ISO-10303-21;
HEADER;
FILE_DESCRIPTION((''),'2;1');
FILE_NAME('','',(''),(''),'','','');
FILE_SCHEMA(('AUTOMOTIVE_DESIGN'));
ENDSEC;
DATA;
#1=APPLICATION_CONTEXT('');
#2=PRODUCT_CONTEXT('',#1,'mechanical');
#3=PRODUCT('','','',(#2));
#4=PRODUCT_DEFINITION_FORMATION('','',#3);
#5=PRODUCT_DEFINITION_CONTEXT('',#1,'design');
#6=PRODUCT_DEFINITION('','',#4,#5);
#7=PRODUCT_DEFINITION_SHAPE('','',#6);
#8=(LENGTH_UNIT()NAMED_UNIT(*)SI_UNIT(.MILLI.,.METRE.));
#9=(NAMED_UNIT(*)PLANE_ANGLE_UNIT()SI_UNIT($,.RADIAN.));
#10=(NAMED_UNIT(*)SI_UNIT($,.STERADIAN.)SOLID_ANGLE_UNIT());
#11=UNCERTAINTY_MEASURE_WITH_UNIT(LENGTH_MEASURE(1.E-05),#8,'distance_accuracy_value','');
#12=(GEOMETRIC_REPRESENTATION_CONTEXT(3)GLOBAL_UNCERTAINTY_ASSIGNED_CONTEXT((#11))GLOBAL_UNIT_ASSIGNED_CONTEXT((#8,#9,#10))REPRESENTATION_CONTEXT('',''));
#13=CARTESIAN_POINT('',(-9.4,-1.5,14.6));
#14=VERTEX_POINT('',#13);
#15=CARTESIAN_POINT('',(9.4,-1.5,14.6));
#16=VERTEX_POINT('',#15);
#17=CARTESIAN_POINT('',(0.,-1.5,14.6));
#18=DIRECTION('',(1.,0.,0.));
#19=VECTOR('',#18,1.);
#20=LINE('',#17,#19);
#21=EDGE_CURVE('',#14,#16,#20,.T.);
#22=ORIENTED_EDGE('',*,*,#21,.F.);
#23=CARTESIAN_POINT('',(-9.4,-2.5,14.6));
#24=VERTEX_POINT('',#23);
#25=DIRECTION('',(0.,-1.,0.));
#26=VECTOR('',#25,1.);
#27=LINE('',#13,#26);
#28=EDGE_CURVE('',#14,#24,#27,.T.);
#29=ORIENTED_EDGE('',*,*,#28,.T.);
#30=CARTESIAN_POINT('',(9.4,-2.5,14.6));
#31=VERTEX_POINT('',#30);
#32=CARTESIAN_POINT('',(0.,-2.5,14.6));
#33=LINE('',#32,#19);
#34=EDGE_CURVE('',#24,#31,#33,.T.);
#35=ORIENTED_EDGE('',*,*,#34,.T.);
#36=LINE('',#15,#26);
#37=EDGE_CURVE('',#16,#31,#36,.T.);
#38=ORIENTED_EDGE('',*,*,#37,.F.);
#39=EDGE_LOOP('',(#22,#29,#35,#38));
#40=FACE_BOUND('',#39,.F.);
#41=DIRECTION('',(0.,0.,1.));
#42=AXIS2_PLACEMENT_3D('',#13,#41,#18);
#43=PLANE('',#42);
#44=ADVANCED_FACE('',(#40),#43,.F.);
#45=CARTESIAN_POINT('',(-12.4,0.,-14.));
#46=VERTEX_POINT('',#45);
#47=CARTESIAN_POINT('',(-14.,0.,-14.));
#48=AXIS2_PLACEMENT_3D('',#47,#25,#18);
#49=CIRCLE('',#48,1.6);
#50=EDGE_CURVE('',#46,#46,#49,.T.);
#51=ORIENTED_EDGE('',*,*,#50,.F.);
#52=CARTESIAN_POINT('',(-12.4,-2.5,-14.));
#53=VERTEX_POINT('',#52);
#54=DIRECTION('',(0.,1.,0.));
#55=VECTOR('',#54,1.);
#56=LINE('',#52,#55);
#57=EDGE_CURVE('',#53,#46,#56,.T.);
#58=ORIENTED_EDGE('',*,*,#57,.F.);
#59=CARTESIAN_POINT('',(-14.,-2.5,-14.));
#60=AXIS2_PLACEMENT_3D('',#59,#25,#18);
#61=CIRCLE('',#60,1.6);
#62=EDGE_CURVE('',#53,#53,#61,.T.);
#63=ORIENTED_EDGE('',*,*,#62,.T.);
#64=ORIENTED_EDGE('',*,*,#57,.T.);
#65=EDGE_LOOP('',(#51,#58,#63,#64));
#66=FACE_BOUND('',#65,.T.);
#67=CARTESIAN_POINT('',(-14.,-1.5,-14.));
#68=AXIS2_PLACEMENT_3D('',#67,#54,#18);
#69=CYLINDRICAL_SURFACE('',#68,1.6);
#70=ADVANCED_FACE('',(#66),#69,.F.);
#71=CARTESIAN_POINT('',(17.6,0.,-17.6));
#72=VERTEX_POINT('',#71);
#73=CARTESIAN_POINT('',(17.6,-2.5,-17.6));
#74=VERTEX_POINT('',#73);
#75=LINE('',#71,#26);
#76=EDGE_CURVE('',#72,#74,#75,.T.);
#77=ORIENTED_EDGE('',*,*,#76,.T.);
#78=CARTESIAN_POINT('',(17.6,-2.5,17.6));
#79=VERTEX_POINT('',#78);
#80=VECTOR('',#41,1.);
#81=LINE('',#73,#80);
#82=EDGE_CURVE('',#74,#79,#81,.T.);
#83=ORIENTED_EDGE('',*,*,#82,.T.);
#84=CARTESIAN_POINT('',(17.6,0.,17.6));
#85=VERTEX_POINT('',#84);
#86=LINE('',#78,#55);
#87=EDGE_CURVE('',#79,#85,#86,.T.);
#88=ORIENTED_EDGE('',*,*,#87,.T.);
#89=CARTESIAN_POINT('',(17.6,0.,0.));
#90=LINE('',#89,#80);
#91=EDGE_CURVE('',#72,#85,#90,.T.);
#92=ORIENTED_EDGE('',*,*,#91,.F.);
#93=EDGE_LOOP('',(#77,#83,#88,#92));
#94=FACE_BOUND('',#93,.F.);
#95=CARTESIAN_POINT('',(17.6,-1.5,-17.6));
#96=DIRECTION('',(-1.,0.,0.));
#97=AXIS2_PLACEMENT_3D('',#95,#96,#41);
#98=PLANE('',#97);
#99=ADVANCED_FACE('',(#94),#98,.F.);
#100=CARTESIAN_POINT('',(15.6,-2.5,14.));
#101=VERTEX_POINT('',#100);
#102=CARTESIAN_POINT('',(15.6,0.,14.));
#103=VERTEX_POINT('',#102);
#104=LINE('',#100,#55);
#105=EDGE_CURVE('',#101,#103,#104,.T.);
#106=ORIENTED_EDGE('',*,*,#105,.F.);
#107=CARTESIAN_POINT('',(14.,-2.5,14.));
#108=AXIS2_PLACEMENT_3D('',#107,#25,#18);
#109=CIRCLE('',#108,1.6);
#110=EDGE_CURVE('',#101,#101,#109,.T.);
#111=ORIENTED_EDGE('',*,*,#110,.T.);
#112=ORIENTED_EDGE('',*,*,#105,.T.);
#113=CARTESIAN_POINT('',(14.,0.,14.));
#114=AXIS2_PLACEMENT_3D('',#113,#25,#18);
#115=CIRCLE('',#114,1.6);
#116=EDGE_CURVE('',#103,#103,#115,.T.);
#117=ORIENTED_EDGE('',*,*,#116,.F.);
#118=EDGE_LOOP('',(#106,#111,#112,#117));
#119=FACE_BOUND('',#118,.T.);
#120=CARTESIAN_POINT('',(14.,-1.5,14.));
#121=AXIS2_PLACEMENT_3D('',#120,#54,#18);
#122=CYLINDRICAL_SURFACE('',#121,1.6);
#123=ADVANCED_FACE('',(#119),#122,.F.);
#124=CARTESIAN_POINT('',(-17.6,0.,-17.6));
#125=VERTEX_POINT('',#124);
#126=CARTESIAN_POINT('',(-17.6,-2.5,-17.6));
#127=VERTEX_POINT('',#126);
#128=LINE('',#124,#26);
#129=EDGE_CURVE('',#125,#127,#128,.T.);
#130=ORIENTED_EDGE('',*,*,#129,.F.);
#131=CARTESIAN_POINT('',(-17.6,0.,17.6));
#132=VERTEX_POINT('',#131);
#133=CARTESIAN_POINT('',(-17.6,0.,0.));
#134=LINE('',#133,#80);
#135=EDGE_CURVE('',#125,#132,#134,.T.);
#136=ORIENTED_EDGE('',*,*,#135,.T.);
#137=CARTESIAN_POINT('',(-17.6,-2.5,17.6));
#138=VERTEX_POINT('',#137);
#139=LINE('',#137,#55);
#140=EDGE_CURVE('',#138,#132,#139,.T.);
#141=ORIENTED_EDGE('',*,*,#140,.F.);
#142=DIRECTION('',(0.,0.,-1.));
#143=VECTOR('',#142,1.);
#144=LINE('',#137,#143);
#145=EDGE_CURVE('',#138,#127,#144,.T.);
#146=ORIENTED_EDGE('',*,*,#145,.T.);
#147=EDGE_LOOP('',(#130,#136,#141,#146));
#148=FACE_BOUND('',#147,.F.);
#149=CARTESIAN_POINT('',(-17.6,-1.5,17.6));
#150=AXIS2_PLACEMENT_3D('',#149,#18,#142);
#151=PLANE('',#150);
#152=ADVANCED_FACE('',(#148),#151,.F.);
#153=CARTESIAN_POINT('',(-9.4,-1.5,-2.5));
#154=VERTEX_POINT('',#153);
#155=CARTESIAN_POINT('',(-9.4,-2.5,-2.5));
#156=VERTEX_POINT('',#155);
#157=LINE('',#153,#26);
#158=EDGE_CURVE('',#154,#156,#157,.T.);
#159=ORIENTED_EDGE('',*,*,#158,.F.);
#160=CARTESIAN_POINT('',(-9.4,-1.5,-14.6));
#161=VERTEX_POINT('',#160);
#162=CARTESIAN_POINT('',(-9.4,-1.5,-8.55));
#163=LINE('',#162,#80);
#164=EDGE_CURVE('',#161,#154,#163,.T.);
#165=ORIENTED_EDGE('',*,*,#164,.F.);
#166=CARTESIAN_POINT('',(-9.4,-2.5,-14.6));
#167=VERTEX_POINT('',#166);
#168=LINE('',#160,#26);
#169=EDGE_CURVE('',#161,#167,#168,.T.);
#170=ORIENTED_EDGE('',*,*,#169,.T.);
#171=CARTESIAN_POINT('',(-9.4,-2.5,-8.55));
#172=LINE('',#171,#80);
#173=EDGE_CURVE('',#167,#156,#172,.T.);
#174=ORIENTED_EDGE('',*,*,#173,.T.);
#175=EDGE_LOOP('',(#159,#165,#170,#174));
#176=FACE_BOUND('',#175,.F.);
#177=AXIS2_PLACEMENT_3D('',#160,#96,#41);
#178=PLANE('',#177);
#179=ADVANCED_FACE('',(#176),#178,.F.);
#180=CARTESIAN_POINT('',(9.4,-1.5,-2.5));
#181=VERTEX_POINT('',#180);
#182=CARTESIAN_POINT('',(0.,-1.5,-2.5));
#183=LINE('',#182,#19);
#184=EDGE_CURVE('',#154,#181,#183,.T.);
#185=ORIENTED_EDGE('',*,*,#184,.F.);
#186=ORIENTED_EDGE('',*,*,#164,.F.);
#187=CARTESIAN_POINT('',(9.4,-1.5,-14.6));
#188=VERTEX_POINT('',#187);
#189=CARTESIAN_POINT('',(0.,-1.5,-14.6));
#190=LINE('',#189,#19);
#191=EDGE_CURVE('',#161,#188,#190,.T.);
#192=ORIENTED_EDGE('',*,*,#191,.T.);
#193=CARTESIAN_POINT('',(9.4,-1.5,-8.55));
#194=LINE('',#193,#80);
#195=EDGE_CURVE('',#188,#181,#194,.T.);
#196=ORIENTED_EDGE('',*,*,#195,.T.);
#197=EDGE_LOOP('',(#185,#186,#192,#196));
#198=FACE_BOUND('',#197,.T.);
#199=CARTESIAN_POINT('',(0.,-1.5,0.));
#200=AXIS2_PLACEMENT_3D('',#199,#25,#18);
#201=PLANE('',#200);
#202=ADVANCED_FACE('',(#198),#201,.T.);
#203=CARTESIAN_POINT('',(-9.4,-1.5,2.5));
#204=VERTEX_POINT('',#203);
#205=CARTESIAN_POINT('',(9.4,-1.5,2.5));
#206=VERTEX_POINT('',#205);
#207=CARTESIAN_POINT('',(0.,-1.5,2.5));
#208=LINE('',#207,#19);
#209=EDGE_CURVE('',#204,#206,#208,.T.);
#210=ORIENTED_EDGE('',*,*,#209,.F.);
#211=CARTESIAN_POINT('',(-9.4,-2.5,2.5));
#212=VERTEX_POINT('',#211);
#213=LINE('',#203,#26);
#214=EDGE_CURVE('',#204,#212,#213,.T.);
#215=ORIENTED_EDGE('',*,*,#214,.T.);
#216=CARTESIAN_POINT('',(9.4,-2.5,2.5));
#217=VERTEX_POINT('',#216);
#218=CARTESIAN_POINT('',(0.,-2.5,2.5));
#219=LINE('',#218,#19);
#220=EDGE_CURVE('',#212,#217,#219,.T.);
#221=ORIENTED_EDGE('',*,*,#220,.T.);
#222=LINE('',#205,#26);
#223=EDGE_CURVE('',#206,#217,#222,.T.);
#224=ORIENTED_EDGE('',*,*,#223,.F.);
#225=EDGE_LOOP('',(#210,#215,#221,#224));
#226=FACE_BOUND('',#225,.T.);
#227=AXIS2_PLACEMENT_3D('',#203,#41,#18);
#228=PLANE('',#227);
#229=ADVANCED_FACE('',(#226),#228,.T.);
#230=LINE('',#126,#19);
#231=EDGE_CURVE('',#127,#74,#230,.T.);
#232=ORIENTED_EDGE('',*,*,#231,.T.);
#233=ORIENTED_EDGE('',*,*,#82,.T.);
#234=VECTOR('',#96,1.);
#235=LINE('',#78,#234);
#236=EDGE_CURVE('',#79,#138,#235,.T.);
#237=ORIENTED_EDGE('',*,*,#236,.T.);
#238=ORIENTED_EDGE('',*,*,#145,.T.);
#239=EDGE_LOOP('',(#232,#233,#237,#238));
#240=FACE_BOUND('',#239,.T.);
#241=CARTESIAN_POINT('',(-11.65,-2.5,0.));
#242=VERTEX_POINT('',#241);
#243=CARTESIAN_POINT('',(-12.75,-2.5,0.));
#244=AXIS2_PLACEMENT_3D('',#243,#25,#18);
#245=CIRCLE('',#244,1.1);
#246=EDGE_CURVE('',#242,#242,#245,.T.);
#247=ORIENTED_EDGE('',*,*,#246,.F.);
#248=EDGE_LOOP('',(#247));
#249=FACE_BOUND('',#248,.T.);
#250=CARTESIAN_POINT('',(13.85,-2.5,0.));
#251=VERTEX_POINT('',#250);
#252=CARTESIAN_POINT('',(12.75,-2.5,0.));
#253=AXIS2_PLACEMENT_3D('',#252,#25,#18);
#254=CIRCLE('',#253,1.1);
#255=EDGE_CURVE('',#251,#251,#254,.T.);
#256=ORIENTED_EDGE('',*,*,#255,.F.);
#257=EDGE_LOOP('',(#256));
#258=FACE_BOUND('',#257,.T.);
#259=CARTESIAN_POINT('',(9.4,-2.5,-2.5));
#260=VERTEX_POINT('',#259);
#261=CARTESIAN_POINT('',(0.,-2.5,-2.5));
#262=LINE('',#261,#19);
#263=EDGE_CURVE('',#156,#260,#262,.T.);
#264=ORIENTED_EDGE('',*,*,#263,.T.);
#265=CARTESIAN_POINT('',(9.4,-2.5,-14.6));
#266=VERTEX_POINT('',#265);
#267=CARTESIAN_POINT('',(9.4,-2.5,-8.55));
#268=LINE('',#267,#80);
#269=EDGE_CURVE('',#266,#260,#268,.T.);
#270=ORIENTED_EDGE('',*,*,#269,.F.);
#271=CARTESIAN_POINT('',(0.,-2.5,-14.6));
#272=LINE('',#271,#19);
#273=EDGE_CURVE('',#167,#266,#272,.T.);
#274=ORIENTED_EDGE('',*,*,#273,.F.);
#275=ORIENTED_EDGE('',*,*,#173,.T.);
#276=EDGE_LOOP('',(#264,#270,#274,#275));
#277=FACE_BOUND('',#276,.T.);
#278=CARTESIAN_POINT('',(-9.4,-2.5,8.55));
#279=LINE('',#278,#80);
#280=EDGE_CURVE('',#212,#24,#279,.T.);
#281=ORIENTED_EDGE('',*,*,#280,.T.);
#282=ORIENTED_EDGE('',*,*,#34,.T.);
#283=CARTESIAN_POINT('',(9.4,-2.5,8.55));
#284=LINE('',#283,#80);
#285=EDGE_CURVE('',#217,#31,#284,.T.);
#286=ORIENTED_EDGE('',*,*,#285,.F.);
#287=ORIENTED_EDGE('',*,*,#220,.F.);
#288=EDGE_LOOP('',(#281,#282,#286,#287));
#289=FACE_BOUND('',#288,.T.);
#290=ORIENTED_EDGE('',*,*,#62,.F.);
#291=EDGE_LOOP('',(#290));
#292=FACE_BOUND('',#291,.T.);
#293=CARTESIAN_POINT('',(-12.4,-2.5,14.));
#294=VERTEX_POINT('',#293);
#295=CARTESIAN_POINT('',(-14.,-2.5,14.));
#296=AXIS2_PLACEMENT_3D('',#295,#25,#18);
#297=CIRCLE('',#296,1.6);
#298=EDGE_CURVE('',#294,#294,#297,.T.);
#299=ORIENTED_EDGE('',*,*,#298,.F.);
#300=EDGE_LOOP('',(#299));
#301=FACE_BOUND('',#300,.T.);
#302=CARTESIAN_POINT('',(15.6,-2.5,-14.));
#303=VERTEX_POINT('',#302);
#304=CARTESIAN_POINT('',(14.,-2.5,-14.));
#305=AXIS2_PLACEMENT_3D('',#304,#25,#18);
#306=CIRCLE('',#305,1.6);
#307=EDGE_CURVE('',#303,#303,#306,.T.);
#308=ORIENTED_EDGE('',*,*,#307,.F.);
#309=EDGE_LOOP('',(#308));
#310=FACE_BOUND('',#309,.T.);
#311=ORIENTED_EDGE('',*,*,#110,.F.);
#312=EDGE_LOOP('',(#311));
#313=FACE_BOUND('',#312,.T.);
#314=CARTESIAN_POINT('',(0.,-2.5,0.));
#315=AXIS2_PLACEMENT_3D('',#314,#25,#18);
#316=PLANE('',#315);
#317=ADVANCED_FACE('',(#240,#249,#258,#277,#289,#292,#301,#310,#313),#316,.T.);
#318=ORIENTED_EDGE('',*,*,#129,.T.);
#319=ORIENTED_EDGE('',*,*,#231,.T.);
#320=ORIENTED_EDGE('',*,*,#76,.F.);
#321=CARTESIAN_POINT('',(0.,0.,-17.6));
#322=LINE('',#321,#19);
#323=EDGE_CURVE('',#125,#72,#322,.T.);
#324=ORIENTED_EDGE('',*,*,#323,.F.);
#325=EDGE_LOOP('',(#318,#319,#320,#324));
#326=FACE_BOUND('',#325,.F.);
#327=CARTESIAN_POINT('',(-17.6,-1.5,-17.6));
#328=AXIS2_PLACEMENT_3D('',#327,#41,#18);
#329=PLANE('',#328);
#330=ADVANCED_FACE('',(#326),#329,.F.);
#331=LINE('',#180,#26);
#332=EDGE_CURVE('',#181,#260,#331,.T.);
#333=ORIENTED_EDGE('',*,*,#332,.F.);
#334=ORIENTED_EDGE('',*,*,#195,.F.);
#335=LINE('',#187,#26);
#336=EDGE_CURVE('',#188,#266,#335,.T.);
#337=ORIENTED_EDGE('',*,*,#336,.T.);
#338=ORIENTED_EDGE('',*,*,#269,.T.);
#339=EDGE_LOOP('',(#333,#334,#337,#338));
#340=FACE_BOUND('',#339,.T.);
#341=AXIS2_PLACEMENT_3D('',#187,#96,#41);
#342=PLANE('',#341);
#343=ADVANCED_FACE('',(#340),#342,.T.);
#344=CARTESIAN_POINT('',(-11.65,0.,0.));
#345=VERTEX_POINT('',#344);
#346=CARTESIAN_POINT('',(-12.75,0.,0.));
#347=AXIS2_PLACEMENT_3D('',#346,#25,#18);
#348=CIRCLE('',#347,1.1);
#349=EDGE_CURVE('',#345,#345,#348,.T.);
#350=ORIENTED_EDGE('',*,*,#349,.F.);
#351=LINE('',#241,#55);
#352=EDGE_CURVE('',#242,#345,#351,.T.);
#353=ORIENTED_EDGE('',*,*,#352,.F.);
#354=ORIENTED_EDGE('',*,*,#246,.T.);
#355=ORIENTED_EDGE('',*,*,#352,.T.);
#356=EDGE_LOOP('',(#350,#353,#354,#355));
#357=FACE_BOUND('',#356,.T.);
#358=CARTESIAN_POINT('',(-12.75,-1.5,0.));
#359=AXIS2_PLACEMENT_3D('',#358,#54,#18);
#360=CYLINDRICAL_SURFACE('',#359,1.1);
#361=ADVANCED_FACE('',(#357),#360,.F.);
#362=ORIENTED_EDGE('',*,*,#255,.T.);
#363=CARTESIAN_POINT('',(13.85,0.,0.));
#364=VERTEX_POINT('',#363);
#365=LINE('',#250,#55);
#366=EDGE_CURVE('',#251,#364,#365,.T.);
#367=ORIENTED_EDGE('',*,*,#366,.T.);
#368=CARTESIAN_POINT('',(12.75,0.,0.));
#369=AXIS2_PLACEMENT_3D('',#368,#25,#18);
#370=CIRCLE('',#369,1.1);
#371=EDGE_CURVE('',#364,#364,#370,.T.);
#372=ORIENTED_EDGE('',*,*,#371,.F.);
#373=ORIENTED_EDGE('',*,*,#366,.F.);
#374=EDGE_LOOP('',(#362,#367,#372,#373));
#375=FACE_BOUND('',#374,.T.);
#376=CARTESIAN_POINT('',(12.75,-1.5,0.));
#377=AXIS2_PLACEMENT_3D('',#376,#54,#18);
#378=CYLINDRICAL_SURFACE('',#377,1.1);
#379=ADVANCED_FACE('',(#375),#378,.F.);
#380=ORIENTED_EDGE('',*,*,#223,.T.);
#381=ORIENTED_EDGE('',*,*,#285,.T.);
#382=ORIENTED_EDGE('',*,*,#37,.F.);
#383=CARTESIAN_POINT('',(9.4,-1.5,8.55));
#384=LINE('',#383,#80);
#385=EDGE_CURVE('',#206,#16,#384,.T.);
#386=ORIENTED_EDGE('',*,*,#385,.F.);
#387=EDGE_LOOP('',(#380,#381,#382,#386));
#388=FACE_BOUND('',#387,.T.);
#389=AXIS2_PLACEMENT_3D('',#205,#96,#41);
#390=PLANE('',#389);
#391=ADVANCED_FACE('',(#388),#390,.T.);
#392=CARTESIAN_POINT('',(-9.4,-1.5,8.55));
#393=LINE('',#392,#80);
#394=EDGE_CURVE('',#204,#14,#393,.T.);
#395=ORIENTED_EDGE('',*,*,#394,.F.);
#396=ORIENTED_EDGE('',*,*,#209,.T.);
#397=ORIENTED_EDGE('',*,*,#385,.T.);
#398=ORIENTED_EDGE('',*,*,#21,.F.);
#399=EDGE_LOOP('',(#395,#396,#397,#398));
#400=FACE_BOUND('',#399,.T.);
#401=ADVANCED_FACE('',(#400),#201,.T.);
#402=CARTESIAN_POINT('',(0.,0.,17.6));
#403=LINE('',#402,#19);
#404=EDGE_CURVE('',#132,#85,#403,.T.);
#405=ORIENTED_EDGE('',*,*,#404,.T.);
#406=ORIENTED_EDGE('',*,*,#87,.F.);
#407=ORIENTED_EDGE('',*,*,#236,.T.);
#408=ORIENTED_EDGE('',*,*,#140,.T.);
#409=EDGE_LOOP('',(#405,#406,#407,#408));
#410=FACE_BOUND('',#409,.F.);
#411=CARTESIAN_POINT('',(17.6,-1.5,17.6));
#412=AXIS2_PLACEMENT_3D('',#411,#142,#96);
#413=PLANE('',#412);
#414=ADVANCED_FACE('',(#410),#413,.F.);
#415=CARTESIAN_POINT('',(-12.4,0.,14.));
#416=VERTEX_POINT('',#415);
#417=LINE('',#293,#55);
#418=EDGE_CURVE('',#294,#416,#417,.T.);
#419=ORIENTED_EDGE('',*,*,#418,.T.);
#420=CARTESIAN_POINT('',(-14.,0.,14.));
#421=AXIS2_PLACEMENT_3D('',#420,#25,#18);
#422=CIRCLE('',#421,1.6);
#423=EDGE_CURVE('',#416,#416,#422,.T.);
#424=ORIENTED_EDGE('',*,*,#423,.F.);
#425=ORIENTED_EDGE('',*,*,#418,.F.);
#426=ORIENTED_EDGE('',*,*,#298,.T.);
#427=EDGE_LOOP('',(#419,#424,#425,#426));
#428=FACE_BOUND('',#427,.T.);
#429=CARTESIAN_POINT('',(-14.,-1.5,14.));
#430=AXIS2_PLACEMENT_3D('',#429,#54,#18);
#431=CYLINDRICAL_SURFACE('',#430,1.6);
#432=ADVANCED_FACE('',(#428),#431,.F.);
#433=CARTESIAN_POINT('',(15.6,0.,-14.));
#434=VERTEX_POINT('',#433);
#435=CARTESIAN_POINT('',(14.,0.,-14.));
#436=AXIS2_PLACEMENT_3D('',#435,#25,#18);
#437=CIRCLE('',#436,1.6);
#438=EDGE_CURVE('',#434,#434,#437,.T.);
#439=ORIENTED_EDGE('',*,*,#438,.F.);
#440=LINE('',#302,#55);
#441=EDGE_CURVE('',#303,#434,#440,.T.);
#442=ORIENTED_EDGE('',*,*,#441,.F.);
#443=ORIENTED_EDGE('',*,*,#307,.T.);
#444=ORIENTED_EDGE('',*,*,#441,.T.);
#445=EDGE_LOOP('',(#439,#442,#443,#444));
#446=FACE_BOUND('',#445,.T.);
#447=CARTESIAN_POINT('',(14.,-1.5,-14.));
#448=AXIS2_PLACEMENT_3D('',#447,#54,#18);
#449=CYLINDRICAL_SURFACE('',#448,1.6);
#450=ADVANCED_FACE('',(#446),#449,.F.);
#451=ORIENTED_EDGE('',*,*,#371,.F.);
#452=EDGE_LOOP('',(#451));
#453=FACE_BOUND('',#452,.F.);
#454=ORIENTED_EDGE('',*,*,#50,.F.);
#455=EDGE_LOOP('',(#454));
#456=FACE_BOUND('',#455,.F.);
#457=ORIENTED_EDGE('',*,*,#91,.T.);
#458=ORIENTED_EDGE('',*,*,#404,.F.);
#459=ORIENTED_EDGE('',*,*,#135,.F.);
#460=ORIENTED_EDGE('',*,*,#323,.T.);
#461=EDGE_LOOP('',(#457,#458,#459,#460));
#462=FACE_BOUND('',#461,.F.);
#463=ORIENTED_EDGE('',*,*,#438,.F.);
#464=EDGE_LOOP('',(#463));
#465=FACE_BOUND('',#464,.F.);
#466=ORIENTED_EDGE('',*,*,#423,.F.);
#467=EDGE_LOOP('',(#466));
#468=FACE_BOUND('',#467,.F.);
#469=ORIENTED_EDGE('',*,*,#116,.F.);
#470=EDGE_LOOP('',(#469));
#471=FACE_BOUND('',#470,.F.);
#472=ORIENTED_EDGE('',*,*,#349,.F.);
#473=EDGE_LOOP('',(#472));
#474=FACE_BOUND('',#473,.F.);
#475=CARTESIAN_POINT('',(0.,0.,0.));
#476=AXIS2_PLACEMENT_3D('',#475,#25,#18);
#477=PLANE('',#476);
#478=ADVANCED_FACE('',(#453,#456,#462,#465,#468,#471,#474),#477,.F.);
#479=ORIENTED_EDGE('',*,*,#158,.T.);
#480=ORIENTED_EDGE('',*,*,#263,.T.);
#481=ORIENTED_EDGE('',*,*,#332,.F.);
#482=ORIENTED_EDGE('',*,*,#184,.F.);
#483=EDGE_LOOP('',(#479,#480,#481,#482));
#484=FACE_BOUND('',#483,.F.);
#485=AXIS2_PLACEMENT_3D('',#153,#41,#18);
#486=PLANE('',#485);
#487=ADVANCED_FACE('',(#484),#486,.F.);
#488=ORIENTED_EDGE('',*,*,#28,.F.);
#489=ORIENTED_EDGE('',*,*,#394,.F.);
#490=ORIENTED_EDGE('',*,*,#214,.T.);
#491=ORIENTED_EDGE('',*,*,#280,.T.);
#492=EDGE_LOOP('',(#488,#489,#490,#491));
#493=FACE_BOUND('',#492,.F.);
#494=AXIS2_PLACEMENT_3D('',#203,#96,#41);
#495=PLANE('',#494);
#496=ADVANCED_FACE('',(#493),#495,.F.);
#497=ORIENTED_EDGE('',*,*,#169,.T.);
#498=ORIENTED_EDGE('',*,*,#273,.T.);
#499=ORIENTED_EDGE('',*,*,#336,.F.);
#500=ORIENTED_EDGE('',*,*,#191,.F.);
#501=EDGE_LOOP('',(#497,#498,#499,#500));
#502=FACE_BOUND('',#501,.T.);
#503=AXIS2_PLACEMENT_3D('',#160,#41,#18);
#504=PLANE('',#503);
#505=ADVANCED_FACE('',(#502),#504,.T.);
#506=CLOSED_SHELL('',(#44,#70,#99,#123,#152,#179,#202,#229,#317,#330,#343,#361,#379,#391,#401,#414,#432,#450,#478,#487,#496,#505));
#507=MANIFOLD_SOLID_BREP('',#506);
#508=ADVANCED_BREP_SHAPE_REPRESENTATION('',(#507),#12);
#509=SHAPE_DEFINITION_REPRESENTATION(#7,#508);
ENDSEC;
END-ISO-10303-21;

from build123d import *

# Parameters (mm, degrees)
F0_W     = 35.2
F0_H     = 35.2
F0_R     = 1.6
F0_R_2   = 1.1
F1_DEPTH = 1.5
F2_R     = 1.6
F2_W     = 18.8
F2_H     = 12.1
F2_R_2   = 1.1
F3_DEPTH = 1


with BuildPart() as f1:
    # F0 (on Front) → F1 (new body)
    with BuildSketch(Plane.XZ):
        Rectangle(F0_W, F0_H)
        with Locations((-14, -14)):
            Circle(F0_R, mode=Mode.SUBTRACT)
        with Locations((14, -14)):
            Circle(F0_R, mode=Mode.SUBTRACT)
        with Locations((-12.75, 0)):
            Circle(F0_R_2, mode=Mode.SUBTRACT)
        with Locations((-14, 14)):
            Circle(F0_R, mode=Mode.SUBTRACT)
        with Locations((12.75, 0)):
            Circle(F0_R_2, mode=Mode.SUBTRACT)
        with Locations((14, 14)):
            Circle(F0_R, mode=Mode.SUBTRACT)
    extrude(amount=F1_DEPTH)

    # F2 (on face) → F3 (join)
    with BuildSketch(Plane.XZ.offset(1.5)):
        Polygon((-17.6, 17.6), (-17.6, 2.5), (-17.6, -2.5), (-17.6, -17.6), (-9.4, -17.6), (9.4, -17.6), (17.6, -17.6), (17.6, -2.5), (17.6, 2.5), (17.6, 17.6), (9.4, 17.6), (-9.4, 17.6), align=None)
        with Locations((-14, -14)):
            Circle(F2_R, mode=Mode.SUBTRACT)
        with Locations((14, -14)):
            Circle(F2_R, mode=Mode.SUBTRACT)
        with Locations((0, -8.55)):
            Rectangle(F2_W, F2_H, mode=Mode.SUBTRACT)
        with Locations((-12.75, 0)):
            Circle(F2_R_2, mode=Mode.SUBTRACT)
        with Locations((-14, 14)):
            Circle(F2_R, mode=Mode.SUBTRACT)
        with Locations((0, 8.55)):
            Rectangle(F2_W, F2_H, mode=Mode.SUBTRACT)
        with Locations((12.75, 0)):
            Circle(F2_R_2, mode=Mode.SUBTRACT)
        with Locations((14, 14)):
            Circle(F2_R, mode=Mode.SUBTRACT)
    extrude(amount=F3_DEPTH)


solid = f1.part
